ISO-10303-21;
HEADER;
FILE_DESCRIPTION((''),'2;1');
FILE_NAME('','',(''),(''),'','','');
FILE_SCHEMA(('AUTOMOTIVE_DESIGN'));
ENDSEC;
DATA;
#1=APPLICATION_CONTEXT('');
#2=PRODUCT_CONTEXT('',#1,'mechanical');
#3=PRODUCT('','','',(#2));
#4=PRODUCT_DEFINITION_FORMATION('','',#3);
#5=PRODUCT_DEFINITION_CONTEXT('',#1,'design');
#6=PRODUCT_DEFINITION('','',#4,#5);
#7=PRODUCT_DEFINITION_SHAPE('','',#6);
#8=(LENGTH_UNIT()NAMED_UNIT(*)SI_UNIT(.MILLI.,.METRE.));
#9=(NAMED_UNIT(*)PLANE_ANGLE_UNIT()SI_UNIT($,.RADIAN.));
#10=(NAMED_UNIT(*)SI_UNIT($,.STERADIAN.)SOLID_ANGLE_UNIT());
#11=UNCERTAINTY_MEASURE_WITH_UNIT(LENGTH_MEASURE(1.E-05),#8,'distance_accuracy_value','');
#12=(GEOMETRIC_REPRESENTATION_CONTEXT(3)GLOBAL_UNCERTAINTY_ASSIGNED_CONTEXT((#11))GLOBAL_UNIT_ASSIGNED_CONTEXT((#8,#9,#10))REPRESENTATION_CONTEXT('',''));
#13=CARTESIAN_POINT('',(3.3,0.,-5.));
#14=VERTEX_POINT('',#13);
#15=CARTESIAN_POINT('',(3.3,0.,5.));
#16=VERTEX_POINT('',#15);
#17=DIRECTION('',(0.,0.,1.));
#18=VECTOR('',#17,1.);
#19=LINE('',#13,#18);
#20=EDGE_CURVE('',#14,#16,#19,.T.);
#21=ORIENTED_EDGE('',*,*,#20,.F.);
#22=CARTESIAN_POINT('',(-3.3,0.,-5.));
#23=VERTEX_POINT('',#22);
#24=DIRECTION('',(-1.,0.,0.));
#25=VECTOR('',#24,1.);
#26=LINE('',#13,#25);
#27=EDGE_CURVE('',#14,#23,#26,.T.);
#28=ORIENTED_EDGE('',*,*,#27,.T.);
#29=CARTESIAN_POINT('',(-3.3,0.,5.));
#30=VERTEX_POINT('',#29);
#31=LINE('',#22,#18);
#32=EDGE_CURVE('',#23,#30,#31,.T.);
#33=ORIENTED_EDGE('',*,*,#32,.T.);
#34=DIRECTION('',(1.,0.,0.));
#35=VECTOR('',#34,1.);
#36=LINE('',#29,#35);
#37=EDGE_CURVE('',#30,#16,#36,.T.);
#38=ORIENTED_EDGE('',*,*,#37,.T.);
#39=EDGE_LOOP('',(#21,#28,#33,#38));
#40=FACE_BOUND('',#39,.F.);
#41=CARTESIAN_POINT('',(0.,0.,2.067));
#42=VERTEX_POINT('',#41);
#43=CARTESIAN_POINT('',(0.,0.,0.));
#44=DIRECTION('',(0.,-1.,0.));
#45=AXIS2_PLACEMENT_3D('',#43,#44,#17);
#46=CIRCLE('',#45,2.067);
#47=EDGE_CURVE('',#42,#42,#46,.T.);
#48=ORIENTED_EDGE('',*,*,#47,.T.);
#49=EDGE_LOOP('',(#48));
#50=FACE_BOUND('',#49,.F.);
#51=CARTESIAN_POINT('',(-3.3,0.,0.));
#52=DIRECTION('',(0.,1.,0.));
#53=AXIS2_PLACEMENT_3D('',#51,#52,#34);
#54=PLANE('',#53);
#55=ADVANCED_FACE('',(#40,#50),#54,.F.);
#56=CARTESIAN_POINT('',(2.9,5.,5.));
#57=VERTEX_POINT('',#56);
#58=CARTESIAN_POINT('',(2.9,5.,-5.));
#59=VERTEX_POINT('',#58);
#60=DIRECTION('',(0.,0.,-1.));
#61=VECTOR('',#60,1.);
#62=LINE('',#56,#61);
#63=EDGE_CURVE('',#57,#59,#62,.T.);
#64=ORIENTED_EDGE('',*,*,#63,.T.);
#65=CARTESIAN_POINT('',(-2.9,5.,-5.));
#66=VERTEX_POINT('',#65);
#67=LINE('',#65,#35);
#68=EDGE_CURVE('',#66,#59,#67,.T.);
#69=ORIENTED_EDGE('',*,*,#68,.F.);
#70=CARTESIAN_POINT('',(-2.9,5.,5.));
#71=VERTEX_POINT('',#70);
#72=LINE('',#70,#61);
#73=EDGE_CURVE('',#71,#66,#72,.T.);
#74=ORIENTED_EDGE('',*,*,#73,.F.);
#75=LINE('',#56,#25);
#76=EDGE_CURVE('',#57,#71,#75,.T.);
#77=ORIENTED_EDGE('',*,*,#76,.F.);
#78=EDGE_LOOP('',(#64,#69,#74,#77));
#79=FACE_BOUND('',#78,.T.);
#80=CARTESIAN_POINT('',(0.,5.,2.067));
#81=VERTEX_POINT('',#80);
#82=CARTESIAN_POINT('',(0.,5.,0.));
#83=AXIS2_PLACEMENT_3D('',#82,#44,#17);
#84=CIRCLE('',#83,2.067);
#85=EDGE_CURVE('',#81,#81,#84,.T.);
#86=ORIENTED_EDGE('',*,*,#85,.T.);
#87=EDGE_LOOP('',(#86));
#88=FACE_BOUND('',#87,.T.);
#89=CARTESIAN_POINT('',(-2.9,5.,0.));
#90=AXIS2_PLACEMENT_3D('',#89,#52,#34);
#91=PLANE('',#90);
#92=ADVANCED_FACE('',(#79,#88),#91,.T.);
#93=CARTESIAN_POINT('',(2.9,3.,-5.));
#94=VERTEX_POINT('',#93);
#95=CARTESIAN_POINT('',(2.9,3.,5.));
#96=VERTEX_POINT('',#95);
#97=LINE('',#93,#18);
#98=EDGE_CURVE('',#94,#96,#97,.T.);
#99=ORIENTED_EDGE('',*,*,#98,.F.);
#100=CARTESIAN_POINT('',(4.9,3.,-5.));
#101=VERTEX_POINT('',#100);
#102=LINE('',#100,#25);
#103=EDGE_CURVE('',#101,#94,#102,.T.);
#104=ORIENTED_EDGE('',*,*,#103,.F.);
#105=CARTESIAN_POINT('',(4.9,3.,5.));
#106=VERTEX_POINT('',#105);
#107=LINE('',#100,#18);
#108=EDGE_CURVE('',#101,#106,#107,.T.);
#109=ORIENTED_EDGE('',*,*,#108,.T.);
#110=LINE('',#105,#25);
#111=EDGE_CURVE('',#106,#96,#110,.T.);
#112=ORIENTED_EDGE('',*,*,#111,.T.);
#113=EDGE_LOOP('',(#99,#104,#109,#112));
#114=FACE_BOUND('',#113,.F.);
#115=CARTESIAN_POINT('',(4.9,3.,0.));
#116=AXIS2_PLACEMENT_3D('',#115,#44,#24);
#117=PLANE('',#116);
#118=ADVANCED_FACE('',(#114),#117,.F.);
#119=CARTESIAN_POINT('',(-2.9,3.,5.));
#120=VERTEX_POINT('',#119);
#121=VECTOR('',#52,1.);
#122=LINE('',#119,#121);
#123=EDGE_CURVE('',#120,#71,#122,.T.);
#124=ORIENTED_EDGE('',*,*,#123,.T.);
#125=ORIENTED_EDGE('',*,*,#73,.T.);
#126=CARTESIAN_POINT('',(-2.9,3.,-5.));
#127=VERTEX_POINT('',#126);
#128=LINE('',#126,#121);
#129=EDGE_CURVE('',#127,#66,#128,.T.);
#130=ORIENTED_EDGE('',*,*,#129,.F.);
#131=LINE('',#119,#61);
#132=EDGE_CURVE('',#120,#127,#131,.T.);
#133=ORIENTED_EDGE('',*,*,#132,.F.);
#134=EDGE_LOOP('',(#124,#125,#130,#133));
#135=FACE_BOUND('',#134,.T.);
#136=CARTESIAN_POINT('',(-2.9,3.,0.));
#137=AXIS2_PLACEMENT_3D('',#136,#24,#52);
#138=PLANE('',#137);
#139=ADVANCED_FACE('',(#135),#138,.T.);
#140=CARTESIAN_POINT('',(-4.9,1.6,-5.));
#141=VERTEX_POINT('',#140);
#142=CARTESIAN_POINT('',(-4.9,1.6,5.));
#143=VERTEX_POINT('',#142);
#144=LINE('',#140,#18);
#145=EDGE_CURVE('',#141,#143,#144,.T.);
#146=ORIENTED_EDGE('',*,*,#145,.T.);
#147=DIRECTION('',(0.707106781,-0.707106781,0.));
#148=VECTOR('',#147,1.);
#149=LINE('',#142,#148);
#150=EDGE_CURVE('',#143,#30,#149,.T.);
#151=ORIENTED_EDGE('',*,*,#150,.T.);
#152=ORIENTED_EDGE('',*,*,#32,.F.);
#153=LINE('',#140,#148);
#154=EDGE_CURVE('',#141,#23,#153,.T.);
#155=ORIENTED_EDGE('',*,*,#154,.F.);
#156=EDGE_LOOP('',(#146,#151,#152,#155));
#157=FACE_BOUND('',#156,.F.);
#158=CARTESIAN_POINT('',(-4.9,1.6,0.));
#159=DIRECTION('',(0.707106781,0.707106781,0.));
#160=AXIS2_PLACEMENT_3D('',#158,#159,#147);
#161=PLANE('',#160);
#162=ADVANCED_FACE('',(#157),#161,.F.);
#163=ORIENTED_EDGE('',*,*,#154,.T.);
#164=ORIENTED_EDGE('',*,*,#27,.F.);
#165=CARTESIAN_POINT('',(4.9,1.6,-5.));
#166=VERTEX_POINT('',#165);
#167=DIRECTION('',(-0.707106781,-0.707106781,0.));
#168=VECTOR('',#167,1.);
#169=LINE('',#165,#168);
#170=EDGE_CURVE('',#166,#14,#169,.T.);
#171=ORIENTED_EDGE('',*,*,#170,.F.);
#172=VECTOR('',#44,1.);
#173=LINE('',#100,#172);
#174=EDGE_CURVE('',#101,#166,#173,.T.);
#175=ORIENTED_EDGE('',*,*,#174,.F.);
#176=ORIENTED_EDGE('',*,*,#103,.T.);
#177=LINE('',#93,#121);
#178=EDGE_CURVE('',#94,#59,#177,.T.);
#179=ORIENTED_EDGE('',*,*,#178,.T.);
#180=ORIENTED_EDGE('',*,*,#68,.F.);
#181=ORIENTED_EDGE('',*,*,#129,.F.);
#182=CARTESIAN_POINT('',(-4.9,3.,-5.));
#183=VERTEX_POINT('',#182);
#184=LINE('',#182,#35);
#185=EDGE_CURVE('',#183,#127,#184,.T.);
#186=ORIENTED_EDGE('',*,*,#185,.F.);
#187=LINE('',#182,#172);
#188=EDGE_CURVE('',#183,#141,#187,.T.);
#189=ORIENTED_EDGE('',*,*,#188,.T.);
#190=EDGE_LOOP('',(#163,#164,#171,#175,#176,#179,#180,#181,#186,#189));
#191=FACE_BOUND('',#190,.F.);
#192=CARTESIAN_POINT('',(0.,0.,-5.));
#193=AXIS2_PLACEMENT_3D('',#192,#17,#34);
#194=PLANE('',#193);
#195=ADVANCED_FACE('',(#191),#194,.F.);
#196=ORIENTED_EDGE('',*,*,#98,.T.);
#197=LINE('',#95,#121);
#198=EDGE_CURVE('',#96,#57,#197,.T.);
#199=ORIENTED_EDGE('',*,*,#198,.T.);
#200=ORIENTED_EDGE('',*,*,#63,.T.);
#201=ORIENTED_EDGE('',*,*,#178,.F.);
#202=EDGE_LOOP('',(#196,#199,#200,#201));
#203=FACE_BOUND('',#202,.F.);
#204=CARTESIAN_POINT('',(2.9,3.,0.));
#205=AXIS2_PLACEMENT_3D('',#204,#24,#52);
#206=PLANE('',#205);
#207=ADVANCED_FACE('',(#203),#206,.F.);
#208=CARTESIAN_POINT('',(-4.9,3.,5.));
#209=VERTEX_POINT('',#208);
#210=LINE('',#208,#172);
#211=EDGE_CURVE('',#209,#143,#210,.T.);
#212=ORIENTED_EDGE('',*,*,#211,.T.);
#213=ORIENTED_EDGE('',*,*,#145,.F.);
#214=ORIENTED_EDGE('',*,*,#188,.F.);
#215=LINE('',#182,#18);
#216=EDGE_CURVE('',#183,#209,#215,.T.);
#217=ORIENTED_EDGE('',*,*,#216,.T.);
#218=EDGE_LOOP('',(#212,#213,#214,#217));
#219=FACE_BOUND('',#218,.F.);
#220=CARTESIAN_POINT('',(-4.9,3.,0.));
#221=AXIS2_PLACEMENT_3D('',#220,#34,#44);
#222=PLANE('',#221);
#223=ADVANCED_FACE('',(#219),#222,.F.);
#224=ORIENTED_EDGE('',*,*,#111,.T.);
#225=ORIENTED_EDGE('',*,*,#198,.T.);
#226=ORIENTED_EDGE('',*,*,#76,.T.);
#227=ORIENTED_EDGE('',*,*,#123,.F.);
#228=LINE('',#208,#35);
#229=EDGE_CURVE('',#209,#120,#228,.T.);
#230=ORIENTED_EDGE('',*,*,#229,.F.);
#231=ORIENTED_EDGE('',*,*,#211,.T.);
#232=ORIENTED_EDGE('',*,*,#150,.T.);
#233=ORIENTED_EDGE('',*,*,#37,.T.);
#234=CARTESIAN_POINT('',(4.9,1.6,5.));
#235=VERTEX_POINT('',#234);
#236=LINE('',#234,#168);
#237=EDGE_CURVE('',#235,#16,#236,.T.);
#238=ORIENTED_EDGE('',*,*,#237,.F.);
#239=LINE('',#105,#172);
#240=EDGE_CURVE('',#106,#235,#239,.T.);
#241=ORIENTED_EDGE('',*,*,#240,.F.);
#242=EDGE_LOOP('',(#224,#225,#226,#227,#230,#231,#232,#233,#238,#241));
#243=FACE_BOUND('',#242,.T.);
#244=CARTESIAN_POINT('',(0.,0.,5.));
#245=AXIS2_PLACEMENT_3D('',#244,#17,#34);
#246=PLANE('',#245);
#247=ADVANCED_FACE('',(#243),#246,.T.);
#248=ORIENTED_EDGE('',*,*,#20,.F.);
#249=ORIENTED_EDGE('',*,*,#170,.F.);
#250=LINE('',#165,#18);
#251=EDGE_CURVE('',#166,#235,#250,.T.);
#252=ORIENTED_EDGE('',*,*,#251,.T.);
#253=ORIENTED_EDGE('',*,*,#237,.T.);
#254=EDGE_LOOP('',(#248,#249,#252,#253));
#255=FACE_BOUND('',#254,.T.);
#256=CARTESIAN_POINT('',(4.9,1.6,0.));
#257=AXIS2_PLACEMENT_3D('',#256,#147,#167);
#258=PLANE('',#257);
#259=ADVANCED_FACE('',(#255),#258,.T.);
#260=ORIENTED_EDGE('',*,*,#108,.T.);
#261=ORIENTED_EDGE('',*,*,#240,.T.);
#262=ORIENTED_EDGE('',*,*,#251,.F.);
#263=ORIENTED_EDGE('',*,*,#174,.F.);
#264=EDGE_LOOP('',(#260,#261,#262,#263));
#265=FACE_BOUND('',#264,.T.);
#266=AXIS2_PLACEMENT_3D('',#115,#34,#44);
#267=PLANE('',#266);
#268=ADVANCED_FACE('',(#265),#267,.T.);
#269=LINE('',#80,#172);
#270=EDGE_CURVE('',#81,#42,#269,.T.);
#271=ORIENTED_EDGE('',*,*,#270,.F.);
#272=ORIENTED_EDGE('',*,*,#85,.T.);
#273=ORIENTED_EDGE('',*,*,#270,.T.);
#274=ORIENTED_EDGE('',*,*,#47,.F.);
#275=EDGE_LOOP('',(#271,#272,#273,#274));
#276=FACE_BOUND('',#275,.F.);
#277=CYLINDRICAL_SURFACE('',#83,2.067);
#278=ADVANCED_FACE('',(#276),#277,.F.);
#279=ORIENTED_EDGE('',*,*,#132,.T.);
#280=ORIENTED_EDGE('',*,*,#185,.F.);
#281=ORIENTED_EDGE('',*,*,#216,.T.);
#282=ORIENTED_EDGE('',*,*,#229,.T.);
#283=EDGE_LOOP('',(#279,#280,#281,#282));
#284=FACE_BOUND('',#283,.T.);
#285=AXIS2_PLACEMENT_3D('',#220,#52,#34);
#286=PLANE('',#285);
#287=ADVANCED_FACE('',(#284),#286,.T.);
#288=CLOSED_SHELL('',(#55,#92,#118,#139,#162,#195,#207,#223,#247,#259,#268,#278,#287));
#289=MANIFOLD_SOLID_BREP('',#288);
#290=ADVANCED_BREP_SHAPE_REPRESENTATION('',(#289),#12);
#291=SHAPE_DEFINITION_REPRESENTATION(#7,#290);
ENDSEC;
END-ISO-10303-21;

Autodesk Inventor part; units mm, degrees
ref_plane "YZ Plane" through (0, 0, 0) normal (1, 0, 0) x (0, 1, 0)
ref_plane "XZ Plane" through (0, 0, 0) normal (0, 1, 0) x (-1, 0, 0)
ref_plane "XY Plane" through (0, 0, 0) normal (0, 0, 1) x (1, 0, 0)
sketch "Эскиз2" plane through (0, 0, 0) normal (0, 0, 1) x (1, 0, 0)
  line L0 (-4.9, 3) -> (-4.9, 1.6)
  line L1 (-4.9, 1.6) -> (-3.3, 0)
  line L2 (-3.3, 0) -> (0, 0)
  line L3 (-4.9, 3) -> (-2.9, 3)
  line L4 (-2.9, 3) -> (-2.9, 5)
  line L5 (-2.9, 5) -> (0, 5)
  line L6 (-6.86, 0) -> (6.86, 0) projected
  line L7 (0, -1) -> (0, 6) projected
  line L8 (4.9, 3) -> (4.9, 1.6)
  line L9 (4.9, 1.6) -> (3.3, 0)
  line L10 (3.3, 0) -> (0, 0)
  line L11 (4.9, 3) -> (2.9, 3)
  line L12 (2.9, 3) -> (2.9, 5)
  line L13 (2.9, 5) -> (0, 5)
  point P0 (3.3, 0)
  dimension "d0" = 2
  dimension "d1" = 1.4
  dimension "d3" = 9.8
  dimension "d4" = 5.8
  dimension "d5" = 5
  dimension "d18" = 6.6
extrude "Выдавливание1" add sketch "Эскиз2" along normal mid plane 10
sketch "Эскиз3" plane through (-2.9, 5, 5) normal (0, 1, 0) x (1, 0, 0)
  point P0 (2.9, 5)
  point P1 (2.9, 5)
hole "Отверстие1" at (0, 5, 0) direction (0, -1, 0) diameter 4.134 end through all thread size "M5x0.8" class "6H" standard "ISO Metric profile"
properties part number "гайка T-паза m6"
